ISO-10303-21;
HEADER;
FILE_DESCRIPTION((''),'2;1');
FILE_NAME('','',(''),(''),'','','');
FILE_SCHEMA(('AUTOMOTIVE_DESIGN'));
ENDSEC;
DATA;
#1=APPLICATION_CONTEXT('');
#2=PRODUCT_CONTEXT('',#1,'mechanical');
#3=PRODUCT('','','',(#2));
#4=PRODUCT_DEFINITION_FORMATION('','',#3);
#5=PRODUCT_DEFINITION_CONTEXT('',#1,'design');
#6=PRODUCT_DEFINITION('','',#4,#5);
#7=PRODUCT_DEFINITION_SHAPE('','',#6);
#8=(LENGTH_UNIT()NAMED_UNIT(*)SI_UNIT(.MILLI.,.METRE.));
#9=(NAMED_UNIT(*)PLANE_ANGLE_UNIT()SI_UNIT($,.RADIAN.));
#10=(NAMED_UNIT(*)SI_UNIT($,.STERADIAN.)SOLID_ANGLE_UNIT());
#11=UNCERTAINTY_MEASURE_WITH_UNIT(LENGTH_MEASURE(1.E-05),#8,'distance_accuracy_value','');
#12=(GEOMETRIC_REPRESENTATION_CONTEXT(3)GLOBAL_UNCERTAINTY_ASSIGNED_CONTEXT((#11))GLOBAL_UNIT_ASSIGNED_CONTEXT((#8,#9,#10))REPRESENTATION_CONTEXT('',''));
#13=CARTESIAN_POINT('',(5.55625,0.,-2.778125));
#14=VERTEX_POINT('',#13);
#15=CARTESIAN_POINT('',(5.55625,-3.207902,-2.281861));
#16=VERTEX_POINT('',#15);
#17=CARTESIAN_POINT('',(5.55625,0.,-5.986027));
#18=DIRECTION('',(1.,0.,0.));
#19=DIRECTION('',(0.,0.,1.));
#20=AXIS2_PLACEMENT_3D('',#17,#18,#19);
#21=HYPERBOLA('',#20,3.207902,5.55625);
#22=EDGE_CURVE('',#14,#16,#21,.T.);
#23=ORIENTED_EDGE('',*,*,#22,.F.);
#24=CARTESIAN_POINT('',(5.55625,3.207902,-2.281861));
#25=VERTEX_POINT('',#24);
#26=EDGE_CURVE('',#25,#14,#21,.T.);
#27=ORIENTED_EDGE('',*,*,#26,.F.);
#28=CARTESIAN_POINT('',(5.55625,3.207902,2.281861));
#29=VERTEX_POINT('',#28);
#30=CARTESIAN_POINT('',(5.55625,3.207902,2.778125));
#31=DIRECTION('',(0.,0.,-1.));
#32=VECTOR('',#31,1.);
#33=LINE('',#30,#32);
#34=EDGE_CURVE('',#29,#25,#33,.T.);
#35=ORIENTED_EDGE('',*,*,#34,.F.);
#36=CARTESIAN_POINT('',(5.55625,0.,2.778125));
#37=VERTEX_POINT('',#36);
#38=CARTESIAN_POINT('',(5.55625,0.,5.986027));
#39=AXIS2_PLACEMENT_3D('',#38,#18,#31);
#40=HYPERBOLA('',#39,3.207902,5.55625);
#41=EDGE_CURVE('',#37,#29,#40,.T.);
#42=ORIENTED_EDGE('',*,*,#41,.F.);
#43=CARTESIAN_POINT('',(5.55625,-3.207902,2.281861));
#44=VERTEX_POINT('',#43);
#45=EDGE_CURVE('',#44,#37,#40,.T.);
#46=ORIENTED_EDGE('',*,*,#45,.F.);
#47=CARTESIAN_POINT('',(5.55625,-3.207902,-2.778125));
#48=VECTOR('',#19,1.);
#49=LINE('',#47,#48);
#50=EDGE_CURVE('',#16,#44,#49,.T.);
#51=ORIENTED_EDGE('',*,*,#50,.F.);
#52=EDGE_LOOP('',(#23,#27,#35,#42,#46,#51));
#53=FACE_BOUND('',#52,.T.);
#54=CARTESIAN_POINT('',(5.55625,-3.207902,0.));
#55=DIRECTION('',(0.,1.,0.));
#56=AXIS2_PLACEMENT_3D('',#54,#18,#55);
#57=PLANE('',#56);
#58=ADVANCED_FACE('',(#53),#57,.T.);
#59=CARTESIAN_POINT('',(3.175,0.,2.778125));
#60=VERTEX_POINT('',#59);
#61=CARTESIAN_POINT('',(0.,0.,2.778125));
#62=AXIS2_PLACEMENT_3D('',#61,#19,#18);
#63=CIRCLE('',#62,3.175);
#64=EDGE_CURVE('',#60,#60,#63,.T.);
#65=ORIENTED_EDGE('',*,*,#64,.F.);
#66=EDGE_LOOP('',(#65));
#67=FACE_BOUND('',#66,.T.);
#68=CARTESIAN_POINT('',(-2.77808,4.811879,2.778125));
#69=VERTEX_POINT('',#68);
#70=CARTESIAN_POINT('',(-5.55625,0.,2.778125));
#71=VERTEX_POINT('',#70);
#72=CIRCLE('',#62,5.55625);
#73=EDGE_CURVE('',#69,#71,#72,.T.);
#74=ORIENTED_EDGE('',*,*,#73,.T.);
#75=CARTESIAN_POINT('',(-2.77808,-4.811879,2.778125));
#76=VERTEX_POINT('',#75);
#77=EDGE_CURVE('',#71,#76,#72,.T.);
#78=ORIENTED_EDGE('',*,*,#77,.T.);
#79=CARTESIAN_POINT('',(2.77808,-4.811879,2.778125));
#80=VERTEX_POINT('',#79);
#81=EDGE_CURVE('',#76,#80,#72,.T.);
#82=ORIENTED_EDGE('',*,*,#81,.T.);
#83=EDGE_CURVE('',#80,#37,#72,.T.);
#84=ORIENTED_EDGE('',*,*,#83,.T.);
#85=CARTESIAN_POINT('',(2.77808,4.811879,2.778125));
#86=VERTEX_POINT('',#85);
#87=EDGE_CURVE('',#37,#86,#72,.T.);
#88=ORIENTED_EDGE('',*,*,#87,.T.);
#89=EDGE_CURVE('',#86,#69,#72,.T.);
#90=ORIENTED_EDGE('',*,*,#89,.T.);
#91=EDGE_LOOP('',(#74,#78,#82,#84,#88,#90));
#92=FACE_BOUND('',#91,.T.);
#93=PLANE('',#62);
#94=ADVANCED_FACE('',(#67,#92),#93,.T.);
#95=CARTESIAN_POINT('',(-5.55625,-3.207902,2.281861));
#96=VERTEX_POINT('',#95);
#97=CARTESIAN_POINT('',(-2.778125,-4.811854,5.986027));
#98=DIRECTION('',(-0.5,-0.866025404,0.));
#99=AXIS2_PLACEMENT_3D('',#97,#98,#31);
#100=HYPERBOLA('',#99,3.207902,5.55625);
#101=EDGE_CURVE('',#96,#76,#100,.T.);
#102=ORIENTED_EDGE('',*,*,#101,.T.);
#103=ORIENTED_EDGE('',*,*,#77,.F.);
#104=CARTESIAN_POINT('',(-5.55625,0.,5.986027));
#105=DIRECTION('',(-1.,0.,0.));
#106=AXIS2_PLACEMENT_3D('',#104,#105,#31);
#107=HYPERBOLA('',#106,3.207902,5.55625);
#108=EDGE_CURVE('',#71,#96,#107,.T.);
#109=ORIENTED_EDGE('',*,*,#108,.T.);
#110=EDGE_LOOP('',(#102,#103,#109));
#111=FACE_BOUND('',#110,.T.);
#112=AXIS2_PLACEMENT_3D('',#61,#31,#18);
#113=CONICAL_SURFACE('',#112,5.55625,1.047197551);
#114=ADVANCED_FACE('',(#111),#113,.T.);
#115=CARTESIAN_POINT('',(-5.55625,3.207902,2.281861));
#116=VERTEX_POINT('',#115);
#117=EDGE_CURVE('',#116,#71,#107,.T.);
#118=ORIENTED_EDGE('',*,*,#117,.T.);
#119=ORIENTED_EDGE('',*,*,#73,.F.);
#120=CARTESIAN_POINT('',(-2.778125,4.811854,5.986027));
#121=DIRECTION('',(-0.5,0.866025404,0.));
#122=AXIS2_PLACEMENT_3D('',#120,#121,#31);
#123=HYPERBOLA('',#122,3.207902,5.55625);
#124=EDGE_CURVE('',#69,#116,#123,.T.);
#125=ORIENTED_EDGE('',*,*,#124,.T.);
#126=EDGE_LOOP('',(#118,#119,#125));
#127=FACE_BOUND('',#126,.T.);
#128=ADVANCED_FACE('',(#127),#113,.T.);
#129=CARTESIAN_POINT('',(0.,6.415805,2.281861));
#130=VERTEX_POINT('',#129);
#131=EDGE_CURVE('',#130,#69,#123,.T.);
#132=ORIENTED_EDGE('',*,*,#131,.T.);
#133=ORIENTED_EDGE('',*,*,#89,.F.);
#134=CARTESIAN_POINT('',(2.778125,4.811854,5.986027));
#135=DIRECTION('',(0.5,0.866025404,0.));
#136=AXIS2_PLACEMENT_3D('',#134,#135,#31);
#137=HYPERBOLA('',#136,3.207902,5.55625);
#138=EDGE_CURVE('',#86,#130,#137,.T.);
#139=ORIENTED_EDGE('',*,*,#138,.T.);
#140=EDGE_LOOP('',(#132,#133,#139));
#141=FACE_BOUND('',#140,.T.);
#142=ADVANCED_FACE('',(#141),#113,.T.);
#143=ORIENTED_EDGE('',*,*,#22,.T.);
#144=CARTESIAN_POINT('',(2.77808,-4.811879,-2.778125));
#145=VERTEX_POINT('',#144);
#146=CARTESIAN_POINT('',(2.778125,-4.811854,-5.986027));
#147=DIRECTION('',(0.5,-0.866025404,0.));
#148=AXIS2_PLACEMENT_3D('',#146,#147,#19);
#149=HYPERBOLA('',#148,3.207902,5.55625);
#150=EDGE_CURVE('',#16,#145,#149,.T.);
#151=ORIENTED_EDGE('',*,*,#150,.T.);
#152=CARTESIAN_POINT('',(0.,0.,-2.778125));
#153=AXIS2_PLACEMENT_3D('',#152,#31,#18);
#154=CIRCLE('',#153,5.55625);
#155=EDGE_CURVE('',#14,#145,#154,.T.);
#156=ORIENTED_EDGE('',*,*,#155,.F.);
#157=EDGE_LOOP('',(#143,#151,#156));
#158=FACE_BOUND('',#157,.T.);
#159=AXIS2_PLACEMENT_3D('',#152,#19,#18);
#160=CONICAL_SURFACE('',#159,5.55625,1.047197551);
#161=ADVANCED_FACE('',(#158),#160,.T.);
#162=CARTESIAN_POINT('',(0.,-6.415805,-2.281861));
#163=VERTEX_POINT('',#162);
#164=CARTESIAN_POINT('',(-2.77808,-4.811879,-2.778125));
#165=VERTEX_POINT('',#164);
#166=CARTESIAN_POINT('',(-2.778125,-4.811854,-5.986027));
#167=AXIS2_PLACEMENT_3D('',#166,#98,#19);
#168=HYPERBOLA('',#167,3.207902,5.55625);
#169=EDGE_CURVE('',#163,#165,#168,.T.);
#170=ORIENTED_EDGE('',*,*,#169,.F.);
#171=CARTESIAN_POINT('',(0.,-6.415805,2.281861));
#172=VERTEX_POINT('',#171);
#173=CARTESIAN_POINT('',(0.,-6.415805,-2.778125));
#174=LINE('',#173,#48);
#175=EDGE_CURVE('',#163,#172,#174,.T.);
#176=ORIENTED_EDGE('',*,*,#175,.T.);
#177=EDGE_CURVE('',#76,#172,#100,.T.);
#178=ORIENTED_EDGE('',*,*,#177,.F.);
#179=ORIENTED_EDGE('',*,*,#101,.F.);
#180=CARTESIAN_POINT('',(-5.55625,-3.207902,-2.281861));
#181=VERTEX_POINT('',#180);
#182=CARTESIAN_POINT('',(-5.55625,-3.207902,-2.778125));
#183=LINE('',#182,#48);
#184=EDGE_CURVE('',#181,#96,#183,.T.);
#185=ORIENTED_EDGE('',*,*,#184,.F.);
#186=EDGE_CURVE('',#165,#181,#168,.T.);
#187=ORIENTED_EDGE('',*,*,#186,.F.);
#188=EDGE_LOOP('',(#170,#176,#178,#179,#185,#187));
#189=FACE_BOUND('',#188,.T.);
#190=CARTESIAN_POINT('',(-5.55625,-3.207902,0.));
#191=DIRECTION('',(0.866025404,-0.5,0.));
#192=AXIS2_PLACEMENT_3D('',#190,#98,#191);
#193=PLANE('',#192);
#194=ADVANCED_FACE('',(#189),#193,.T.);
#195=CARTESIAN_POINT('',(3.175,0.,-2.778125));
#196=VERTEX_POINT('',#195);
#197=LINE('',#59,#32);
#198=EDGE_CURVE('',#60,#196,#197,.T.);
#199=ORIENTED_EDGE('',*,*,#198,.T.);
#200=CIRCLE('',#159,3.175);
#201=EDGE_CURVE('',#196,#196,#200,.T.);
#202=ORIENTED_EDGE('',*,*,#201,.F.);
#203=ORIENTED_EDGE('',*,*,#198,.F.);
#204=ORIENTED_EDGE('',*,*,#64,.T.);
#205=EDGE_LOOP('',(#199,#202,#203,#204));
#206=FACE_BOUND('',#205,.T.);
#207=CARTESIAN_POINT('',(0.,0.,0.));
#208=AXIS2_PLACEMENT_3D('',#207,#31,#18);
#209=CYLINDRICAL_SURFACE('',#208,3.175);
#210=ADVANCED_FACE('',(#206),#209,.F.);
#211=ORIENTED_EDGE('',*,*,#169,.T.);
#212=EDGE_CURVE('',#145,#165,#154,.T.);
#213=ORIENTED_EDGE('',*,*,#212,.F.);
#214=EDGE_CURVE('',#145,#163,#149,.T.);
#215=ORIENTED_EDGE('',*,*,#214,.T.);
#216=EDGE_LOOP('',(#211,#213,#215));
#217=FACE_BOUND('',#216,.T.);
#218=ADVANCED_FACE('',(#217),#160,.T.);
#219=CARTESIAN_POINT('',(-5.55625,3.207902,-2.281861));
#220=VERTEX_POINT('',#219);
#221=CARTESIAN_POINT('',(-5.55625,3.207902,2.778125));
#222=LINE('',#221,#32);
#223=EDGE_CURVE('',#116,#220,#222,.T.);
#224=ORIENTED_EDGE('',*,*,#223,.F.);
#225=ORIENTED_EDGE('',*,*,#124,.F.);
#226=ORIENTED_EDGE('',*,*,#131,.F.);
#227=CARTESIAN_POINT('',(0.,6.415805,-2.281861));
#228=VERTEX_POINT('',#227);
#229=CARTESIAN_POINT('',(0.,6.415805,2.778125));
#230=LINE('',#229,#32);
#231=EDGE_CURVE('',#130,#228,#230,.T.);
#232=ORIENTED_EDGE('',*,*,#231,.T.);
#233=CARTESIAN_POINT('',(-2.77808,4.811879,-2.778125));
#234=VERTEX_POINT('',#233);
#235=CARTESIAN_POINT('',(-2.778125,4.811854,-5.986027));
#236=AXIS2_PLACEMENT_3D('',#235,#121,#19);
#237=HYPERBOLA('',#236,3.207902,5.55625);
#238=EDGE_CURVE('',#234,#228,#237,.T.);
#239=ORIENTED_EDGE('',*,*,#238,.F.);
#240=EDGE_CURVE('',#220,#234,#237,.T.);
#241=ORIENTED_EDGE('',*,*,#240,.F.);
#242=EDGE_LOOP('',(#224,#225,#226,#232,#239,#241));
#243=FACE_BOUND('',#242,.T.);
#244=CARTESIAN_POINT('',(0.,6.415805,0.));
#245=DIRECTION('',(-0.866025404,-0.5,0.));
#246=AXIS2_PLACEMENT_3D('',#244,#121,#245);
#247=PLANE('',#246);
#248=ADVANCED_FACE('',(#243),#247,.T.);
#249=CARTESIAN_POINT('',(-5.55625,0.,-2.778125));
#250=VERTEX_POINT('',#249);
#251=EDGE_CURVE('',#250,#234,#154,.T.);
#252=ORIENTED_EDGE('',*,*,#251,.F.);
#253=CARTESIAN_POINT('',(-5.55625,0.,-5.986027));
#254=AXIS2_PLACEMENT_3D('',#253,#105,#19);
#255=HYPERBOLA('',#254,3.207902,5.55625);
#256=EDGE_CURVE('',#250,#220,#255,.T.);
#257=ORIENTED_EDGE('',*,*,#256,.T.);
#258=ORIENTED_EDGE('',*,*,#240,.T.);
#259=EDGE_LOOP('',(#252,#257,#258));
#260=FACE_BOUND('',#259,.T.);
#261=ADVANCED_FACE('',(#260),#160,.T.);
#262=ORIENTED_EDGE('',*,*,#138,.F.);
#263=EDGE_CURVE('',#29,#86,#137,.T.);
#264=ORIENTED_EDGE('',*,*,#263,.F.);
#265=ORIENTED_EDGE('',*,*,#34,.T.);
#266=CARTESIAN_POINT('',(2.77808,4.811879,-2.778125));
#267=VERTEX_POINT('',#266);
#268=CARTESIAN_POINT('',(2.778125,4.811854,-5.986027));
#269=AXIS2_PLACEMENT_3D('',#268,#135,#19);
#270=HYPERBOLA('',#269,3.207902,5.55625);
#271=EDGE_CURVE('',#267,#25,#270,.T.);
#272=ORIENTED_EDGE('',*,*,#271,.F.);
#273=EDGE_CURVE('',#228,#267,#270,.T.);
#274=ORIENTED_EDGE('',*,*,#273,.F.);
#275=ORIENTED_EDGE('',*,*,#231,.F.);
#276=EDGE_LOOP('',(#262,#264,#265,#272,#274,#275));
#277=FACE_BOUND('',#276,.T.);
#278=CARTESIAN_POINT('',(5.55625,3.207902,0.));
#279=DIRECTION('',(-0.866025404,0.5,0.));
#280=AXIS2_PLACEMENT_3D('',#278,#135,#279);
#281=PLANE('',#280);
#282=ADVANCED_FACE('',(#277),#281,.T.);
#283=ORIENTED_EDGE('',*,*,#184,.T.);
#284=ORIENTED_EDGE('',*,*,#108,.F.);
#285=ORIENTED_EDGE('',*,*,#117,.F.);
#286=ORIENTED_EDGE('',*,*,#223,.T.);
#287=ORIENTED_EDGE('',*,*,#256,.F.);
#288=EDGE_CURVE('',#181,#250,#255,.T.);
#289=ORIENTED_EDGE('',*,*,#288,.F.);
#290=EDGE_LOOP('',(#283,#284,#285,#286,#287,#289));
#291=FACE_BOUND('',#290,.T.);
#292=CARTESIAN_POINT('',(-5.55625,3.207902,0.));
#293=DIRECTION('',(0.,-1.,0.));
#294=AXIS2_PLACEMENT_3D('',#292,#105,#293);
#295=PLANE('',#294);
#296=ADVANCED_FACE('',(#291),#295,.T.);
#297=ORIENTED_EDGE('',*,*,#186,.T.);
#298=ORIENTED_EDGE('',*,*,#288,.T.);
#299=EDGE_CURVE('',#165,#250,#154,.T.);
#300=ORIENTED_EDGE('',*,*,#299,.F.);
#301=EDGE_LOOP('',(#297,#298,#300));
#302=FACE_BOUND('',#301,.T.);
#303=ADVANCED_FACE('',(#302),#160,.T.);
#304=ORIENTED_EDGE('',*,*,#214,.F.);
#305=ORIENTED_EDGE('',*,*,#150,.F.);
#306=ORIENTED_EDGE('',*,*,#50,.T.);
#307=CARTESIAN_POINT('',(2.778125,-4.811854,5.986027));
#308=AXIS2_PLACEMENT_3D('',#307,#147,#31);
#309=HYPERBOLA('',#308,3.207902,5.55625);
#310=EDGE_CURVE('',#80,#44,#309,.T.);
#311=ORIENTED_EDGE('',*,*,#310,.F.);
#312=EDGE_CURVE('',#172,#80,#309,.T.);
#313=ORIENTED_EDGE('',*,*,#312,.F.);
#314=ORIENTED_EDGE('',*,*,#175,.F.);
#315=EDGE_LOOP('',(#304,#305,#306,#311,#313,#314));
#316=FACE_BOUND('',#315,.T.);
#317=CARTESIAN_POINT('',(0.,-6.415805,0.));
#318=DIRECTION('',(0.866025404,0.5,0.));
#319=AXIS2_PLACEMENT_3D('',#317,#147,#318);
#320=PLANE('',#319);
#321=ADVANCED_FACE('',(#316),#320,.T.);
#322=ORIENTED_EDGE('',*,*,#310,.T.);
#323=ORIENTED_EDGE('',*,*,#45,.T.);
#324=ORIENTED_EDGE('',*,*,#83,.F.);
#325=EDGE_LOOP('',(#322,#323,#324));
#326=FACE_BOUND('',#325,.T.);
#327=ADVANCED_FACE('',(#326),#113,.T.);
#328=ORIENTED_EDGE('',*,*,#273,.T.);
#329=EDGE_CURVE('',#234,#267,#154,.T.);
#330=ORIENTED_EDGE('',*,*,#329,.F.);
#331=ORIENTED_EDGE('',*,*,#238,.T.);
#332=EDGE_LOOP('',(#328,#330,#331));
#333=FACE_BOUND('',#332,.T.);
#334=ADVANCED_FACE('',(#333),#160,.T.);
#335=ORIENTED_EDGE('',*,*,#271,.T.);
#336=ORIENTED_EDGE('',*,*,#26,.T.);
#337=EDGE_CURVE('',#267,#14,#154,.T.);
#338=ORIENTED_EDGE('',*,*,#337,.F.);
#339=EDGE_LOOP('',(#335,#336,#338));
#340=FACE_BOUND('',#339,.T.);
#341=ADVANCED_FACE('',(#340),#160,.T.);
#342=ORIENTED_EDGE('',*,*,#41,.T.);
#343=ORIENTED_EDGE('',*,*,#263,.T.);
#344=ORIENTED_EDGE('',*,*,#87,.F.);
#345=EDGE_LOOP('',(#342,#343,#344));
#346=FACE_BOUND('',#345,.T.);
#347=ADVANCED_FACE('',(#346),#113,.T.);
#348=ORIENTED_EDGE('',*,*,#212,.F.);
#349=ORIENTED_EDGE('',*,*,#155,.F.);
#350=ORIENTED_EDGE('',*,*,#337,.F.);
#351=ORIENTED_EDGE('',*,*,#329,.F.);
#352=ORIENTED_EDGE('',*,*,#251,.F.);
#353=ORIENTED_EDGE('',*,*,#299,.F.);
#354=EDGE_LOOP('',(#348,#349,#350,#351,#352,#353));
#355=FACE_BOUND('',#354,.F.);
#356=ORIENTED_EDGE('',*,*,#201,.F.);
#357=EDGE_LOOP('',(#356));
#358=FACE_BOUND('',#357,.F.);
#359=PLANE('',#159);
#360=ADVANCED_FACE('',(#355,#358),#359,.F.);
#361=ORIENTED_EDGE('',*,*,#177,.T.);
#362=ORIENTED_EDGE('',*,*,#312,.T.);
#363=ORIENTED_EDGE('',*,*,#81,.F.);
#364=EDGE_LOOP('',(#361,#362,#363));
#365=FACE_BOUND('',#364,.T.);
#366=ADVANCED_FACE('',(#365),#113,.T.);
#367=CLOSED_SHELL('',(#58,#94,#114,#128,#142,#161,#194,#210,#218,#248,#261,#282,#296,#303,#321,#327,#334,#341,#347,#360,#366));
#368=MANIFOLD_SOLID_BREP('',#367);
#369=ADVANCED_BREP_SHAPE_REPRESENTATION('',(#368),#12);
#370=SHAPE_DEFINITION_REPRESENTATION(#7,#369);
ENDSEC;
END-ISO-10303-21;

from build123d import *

# Parameters (mm, degrees)
SKETCH1_R               = 3.175
EXTRUDE1_DEPTH          = 2.778125
SKETCH7_OUTSIDE_W       = 104.672
SKETCH7_OUTSIDE_H       = 106.392
SKETCH7_OUTSIDE_R       = 5.55625
EXTRUDE2_DEPTH          = 25.4
EXTRUDE2_DRAFT          = -60
MIRROR1_COPY_1_SKETCH_W = 104.672
MIRROR1_COPY_1_SKETCH_H = 106.392
MIRROR1_COPY_1_SKETCH_R = 5.55625
MIRROR1_COPY_1_DEPTH    = 25.4
MIRROR1_COPY_1_DRAFT    = -60


with BuildPart() as part:
    # Sketch1 → Extrude1 (new, symmetric)
    with BuildSketch(Plane.XY):
        Polygon((-5.55625, 3.207902433), (-5.55625, -3.207902433), (0, -6.415804866), (5.55625, -3.207902433), (5.55625, 3.207902433), (0, 6.415804866), align=None)
        Circle(SKETCH1_R, mode=Mode.SUBTRACT)
    extrude(amount=EXTRUDE1_DEPTH, both=True)


with BuildPart() as extrude2_tool:
    # Sketch7 outside → Extrude2 (with draft: the straight prism first)
    with BuildSketch(Plane.XY.offset(2.778125)):
        Rectangle(SKETCH7_OUTSIDE_W, SKETCH7_OUTSIDE_H)
        Circle(SKETCH7_OUTSIDE_R, mode=Mode.SUBTRACT)
    extrude(amount=-EXTRUDE2_DEPTH)
    # Extrude2: the draft: its side faces are tilted about the plane it starts from
    extrude2_sides = [extrude2_tool.faces().sort_by_distance(p)[0] for p in [
        (0, -53.196, -9.921875),
        (52.336, 0, -9.921875),
        (0, 53.196, -9.921875),
        (-52.336, 0, -9.921875),
        (-5.55625, 0, -9.921875),
    ]]
    draft(extrude2_sides, Plane.XY.offset(2.778125), EXTRUDE2_DRAFT)


with BuildPart() as part_1:
    add(part.part)

    # Extrude2: cut by extrude2_tool
    add(extrude2_tool.part, mode=Mode.SUBTRACT)


with BuildPart() as mirror1_copy_1_tool:
    # Mirror1 copy 1 sketch → Mirror1 copy 1 (with draft: the straight prism first)
    with BuildSketch(Plane(origin=(0, 0, -2.778125), x_dir=(1, 0, 0), z_dir=(0, 0, -1))):
        Rectangle(MIRROR1_COPY_1_SKETCH_W, MIRROR1_COPY_1_SKETCH_H)
        Circle(MIRROR1_COPY_1_SKETCH_R, mode=Mode.SUBTRACT)
    extrude(amount=-MIRROR1_COPY_1_DEPTH)
    # Mirror1 copy 1: the draft: its side faces are tilted about the plane it starts from
    mirror1_copy_1_sides = [mirror1_copy_1_tool.faces().sort_by_distance(p)[0] for p in [
        (0, -53.196, 9.921875),
        (52.336, 0, 9.921875),
        (0, 53.196, 9.921875),
        (-52.336, 0, 9.921875),
        (-5.55625, 0, 9.921875),
    ]]
    draft(mirror1_copy_1_sides, Plane(origin=(0, 0, -2.778125), x_dir=(1, 0, 0), z_dir=(0, 0, -1)), MIRROR1_COPY_1_DRAFT)


with BuildPart() as part_2:
    add(part_1.part)

    # Mirror1 copy 1: cut by mirror1_copy_1_tool
    add(mirror1_copy_1_tool.part, mode=Mode.SUBTRACT)


solid = part_2.part
